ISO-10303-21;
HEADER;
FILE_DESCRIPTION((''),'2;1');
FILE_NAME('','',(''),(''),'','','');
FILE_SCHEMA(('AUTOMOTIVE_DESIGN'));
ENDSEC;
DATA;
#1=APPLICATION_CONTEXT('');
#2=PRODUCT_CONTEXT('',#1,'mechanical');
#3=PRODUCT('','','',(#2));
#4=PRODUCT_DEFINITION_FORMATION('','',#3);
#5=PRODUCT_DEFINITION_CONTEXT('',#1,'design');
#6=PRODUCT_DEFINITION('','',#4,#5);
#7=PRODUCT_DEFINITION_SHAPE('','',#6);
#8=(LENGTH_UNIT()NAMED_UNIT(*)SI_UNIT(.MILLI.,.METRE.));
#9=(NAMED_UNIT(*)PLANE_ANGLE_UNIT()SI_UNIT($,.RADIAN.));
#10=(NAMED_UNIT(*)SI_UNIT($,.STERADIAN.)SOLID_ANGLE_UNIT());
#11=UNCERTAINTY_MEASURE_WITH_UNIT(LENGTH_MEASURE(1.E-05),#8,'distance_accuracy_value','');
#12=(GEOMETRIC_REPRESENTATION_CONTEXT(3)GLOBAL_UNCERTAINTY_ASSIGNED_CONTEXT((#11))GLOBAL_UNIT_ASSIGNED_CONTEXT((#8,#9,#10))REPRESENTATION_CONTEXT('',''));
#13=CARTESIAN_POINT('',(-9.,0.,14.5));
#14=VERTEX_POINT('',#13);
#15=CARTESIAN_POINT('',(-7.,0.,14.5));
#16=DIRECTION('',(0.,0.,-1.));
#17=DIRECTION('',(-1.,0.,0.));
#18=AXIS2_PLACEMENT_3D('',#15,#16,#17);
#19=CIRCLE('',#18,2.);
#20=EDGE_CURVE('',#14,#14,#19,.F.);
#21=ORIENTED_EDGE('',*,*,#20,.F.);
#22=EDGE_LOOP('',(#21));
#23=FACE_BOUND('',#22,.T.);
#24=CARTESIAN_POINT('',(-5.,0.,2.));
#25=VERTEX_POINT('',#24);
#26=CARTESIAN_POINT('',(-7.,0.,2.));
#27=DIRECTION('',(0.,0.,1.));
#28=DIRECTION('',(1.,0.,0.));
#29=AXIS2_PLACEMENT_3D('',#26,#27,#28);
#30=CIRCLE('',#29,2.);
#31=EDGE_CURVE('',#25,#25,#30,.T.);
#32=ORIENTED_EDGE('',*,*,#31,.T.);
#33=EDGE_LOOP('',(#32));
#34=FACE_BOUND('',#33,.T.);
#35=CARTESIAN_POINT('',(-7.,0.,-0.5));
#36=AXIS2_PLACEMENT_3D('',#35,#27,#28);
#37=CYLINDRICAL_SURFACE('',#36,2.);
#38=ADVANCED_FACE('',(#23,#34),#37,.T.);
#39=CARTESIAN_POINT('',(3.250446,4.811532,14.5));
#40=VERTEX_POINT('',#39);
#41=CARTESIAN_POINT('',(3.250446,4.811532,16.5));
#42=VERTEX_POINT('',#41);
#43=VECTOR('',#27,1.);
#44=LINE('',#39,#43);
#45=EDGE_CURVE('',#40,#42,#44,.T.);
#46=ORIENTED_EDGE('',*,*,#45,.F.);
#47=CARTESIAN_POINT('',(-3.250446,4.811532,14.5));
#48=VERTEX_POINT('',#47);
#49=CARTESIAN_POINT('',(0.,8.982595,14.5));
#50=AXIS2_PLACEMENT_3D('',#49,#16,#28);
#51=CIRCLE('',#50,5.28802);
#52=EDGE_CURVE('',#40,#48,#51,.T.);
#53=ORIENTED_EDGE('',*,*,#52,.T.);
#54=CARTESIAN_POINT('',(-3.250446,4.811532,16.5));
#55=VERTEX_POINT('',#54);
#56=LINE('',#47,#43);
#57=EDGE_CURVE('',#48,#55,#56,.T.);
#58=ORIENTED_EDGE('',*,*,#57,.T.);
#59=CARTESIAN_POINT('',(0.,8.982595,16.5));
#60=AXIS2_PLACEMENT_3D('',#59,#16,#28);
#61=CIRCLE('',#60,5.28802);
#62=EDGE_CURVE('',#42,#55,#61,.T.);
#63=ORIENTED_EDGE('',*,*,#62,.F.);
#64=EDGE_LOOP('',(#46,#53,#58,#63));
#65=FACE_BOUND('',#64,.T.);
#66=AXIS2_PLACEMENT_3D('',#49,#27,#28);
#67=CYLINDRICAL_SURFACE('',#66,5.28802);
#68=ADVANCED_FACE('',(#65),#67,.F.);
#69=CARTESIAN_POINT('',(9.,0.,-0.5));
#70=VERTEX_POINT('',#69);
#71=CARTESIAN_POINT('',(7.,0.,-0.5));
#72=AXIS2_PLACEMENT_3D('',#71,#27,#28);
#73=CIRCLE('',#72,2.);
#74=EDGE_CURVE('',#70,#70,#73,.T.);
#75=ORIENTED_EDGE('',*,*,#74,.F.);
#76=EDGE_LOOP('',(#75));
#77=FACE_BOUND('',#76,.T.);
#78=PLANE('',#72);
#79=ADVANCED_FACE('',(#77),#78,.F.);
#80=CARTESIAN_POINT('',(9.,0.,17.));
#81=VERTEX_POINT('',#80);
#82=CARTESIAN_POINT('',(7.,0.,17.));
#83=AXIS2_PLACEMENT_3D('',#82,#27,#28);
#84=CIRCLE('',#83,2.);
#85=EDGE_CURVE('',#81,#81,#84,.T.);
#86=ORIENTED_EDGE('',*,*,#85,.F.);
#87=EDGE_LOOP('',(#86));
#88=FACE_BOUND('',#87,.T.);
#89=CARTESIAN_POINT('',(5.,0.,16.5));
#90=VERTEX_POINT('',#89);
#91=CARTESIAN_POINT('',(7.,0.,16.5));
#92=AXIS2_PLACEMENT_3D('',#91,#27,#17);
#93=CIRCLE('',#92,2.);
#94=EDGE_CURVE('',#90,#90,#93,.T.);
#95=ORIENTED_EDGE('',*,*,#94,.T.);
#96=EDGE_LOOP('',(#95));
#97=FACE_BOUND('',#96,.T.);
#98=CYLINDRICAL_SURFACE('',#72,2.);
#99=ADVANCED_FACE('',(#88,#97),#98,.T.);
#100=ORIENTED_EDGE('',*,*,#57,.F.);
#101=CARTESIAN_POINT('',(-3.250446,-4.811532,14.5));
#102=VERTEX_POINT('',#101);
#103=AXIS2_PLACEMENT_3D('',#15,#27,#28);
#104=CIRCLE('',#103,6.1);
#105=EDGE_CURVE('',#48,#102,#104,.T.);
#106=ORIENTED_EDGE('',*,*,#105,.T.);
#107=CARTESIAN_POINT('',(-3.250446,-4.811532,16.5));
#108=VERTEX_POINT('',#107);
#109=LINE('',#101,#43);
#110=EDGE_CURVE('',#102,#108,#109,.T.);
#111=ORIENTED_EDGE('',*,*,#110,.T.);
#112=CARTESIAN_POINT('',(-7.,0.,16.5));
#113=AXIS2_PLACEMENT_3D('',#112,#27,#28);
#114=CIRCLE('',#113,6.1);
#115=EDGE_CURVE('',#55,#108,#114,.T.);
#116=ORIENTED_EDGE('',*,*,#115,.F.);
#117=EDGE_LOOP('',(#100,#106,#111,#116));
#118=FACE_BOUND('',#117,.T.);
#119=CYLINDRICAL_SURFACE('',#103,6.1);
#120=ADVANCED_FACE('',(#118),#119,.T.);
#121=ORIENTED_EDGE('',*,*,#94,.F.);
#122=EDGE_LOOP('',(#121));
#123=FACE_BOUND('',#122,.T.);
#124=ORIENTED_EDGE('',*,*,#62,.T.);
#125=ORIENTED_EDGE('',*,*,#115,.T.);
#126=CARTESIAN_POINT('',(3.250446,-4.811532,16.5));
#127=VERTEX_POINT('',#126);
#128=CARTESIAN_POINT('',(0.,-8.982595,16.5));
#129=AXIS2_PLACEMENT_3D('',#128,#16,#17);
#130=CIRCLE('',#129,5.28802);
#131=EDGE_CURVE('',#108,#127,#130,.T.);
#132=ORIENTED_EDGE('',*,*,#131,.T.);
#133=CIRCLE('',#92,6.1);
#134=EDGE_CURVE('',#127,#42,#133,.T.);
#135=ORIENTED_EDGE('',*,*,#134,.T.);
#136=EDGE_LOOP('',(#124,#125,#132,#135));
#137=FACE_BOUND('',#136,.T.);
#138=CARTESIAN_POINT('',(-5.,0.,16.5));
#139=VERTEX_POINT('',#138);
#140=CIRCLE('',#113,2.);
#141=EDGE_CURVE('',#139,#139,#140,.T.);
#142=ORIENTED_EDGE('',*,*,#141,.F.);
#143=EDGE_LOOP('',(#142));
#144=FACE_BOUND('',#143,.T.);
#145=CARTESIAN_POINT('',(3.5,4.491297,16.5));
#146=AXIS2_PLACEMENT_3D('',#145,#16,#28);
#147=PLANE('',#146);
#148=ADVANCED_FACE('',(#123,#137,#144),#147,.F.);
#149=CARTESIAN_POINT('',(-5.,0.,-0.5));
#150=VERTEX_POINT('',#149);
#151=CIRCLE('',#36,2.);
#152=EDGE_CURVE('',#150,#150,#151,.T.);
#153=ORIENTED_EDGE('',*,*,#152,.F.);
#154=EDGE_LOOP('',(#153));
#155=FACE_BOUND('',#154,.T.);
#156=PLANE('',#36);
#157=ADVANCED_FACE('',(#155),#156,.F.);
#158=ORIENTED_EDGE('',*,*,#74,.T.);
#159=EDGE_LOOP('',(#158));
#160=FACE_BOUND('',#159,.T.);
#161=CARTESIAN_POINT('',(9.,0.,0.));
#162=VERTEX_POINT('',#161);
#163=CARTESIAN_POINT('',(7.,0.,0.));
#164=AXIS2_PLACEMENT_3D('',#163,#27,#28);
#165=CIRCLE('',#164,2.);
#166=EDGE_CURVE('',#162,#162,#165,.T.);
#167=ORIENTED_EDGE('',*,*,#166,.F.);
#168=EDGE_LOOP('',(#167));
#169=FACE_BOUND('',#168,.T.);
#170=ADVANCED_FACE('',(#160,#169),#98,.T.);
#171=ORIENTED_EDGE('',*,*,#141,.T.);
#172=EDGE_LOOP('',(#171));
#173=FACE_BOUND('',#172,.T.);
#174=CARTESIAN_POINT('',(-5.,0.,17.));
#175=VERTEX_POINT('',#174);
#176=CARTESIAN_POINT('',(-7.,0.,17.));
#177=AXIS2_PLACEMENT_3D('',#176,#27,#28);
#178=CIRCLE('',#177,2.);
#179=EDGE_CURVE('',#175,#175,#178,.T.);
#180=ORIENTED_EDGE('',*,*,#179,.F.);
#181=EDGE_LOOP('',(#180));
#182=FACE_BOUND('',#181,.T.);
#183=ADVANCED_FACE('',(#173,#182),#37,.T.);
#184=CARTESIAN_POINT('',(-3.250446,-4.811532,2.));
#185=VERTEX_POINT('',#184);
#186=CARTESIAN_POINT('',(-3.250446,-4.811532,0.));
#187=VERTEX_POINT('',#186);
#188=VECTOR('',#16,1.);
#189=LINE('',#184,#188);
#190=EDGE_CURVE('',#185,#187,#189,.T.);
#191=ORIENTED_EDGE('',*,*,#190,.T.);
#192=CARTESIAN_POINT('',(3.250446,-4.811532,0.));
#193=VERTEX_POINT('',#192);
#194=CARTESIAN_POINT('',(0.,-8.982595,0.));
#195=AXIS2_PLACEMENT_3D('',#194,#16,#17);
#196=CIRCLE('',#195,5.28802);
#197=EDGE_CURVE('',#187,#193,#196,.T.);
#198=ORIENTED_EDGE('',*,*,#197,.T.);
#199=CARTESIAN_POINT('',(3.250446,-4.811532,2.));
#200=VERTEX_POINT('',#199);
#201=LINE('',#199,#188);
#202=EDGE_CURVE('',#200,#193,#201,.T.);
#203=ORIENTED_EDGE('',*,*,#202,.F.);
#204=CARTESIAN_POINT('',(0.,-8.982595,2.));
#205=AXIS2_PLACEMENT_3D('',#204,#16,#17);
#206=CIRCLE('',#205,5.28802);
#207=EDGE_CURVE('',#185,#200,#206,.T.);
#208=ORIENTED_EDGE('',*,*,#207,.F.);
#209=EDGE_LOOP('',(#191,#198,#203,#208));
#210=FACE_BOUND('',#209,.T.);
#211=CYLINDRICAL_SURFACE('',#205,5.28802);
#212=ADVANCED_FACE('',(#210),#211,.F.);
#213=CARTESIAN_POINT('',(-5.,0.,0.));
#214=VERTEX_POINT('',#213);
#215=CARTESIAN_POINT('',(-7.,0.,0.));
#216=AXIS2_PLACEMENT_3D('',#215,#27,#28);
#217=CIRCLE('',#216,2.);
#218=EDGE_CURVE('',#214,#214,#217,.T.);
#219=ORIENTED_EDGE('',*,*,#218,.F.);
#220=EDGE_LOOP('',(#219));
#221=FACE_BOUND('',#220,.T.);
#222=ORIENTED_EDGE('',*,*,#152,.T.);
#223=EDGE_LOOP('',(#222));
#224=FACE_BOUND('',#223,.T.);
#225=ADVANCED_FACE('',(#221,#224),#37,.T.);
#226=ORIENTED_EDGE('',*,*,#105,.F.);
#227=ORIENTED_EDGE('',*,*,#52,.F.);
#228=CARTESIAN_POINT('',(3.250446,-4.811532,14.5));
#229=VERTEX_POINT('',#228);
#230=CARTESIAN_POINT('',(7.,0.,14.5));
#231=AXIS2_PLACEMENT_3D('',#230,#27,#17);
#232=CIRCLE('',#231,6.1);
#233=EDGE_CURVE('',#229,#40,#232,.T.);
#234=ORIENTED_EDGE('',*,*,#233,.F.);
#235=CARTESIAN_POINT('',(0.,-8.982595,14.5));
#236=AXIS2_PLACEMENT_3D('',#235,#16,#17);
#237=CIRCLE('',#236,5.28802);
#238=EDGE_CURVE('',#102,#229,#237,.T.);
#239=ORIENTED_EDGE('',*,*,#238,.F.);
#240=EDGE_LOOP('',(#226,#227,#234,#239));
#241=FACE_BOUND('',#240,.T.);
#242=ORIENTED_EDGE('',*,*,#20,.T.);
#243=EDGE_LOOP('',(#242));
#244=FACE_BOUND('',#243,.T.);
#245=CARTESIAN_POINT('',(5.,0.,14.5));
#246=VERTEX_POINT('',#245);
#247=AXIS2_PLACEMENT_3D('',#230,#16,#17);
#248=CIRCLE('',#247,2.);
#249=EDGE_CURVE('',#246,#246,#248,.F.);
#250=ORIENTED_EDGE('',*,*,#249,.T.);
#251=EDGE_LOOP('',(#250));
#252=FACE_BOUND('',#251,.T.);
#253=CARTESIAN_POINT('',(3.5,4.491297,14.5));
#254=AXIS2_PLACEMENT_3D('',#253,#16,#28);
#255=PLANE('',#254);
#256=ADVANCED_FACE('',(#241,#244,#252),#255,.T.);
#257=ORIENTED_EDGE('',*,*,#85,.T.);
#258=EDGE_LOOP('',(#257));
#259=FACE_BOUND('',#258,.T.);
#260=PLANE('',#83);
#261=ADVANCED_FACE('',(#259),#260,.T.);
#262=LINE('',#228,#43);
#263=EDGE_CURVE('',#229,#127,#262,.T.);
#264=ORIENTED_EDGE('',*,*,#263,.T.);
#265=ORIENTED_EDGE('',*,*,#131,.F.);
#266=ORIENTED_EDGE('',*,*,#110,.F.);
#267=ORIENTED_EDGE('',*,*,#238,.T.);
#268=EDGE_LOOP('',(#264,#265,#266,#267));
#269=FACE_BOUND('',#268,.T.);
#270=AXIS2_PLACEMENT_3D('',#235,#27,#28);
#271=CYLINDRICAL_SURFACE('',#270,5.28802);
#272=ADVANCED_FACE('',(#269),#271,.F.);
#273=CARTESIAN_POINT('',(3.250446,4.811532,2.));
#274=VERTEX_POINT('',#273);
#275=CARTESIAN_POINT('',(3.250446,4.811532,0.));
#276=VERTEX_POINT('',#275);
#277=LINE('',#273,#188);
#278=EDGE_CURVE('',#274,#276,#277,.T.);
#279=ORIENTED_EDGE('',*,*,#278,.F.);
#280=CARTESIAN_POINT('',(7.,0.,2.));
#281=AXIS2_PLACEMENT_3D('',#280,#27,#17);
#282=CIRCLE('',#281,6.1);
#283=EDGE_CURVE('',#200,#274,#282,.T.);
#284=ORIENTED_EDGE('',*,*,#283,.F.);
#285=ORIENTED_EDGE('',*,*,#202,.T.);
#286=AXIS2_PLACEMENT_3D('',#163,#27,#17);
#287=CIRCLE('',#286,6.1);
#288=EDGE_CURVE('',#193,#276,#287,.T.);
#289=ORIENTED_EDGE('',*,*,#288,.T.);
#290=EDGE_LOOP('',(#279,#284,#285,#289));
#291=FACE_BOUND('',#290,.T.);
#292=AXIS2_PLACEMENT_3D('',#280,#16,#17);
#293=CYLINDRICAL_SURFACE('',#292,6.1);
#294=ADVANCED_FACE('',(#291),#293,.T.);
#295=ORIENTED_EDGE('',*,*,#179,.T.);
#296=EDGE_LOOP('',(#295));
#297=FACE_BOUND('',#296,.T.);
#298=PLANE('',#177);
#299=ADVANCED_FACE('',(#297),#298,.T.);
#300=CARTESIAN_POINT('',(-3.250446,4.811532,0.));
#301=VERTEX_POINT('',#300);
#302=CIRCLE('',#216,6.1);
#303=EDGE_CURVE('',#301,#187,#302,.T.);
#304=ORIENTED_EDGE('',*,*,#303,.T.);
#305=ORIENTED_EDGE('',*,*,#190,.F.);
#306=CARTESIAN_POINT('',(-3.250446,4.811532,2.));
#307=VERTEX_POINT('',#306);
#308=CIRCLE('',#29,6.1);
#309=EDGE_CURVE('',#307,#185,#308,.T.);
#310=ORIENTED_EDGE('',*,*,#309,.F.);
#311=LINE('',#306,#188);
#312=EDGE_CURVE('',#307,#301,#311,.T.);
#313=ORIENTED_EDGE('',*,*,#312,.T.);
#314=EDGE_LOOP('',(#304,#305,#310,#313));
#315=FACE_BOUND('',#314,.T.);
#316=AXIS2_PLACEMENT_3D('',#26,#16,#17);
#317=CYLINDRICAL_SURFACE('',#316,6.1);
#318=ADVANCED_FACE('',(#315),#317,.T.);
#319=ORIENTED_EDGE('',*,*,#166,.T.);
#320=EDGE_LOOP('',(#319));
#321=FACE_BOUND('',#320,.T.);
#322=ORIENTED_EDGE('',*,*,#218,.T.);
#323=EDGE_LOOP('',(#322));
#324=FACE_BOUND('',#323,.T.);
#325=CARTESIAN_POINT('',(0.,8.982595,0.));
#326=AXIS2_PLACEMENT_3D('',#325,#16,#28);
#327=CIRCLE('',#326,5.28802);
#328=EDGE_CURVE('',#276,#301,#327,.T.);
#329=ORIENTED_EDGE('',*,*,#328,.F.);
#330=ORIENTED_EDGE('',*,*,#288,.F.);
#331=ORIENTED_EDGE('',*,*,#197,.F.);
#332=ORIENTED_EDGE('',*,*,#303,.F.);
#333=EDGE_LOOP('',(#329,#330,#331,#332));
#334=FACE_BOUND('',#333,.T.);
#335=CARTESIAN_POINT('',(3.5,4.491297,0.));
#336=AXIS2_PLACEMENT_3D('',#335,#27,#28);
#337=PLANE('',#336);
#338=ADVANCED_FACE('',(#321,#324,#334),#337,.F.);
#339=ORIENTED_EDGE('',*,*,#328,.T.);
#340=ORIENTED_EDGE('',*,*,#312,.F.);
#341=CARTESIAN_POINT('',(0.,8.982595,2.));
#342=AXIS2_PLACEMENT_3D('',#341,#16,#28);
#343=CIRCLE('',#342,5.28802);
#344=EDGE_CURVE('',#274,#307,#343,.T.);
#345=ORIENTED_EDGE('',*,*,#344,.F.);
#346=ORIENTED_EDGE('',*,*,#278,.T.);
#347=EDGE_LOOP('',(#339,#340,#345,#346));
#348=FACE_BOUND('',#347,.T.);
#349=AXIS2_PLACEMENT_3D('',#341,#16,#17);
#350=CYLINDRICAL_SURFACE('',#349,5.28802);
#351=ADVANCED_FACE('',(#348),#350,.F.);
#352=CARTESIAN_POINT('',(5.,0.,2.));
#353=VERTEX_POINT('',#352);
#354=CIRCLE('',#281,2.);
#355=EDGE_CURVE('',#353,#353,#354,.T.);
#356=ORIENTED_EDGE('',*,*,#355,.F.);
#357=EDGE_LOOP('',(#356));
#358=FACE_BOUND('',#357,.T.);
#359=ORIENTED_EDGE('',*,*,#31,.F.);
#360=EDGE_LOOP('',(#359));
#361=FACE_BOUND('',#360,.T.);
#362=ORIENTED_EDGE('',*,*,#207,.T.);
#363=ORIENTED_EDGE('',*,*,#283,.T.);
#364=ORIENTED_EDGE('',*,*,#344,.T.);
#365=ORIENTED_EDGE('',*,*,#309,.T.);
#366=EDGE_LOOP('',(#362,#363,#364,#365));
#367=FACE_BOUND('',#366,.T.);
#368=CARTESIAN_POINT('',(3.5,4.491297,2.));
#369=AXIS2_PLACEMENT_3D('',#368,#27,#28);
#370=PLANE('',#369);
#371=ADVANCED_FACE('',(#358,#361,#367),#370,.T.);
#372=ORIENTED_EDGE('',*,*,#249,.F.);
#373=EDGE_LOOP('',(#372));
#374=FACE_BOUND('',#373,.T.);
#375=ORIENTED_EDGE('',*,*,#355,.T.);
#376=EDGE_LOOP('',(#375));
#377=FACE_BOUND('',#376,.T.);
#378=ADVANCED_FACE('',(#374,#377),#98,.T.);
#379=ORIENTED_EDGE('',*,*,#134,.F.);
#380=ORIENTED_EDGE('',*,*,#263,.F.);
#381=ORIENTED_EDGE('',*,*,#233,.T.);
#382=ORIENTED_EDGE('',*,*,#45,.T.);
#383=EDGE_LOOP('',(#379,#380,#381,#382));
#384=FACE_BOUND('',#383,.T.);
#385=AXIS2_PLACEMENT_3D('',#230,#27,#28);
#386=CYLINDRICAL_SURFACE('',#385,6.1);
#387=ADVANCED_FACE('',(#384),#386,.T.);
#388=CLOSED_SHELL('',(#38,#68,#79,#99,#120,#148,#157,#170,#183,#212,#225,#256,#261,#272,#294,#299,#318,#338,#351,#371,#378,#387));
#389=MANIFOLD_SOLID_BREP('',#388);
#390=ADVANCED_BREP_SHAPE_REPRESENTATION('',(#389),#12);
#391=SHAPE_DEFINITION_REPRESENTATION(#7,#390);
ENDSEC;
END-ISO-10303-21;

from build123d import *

# Parameters (mm, degrees)
CROQUIS1_R                   = 2
SALIENTE_EXTRUIR1_DEPTH      = 2
SALIENTE_EXTRUIR2_DEPTH      = 15
SALIENTE_EXTRUIR2_DEPTH_BACK = 2.5
CROQUIS2_R                   = 2


with BuildPart() as part:
    # Croquis1 → Saliente-Extruir1 (new body)
    with BuildSketch(Plane.XY):
        with BuildLine():
            ThreePointArc((-3.250445743, 4.811532279), (-13.1, 0), (-3.250445743, -4.811532279))
            ThreePointArc((-3.250445743, -4.811532279), (0, -3.694574334), (3.250445743, -4.811532279))
            ThreePointArc((3.250445743, -4.811532279), (13.1, 0), (3.250445743, 4.811532279))
            ThreePointArc((3.250445743, 4.811532279), (0, 3.694574334), (-3.250445743, 4.811532279))
        make_face()
        with Locations((-7, 0)):
            Circle(CROQUIS1_R, mode=Mode.SUBTRACT)
        with Locations(Location((7, 0, 0), (0, 0, 180))):
            Circle(CROQUIS1_R, mode=Mode.SUBTRACT)
    saliente_extruir1 = extrude(amount=SALIENTE_EXTRUIR1_DEPTH)

    # Croquis2 → Saliente-Extruir2 (add, two sides: drawn at the far end of the back side and taken through both)
    with BuildSketch(Plane.XY.offset(2).offset(-SALIENTE_EXTRUIR2_DEPTH_BACK)):
        with Locations((7, 0)):
            Circle(CROQUIS2_R)
        with Locations((-7, 0)):
            Circle(CROQUIS2_R)
    extrude(amount=SALIENTE_EXTRUIR2_DEPTH + SALIENTE_EXTRUIR2_DEPTH_BACK)

    # Simetría1: Saliente-Extruir1 across plane
    add(saliente_extruir1.mirror(Plane.XY.offset(8.25)))


solid = part.part
